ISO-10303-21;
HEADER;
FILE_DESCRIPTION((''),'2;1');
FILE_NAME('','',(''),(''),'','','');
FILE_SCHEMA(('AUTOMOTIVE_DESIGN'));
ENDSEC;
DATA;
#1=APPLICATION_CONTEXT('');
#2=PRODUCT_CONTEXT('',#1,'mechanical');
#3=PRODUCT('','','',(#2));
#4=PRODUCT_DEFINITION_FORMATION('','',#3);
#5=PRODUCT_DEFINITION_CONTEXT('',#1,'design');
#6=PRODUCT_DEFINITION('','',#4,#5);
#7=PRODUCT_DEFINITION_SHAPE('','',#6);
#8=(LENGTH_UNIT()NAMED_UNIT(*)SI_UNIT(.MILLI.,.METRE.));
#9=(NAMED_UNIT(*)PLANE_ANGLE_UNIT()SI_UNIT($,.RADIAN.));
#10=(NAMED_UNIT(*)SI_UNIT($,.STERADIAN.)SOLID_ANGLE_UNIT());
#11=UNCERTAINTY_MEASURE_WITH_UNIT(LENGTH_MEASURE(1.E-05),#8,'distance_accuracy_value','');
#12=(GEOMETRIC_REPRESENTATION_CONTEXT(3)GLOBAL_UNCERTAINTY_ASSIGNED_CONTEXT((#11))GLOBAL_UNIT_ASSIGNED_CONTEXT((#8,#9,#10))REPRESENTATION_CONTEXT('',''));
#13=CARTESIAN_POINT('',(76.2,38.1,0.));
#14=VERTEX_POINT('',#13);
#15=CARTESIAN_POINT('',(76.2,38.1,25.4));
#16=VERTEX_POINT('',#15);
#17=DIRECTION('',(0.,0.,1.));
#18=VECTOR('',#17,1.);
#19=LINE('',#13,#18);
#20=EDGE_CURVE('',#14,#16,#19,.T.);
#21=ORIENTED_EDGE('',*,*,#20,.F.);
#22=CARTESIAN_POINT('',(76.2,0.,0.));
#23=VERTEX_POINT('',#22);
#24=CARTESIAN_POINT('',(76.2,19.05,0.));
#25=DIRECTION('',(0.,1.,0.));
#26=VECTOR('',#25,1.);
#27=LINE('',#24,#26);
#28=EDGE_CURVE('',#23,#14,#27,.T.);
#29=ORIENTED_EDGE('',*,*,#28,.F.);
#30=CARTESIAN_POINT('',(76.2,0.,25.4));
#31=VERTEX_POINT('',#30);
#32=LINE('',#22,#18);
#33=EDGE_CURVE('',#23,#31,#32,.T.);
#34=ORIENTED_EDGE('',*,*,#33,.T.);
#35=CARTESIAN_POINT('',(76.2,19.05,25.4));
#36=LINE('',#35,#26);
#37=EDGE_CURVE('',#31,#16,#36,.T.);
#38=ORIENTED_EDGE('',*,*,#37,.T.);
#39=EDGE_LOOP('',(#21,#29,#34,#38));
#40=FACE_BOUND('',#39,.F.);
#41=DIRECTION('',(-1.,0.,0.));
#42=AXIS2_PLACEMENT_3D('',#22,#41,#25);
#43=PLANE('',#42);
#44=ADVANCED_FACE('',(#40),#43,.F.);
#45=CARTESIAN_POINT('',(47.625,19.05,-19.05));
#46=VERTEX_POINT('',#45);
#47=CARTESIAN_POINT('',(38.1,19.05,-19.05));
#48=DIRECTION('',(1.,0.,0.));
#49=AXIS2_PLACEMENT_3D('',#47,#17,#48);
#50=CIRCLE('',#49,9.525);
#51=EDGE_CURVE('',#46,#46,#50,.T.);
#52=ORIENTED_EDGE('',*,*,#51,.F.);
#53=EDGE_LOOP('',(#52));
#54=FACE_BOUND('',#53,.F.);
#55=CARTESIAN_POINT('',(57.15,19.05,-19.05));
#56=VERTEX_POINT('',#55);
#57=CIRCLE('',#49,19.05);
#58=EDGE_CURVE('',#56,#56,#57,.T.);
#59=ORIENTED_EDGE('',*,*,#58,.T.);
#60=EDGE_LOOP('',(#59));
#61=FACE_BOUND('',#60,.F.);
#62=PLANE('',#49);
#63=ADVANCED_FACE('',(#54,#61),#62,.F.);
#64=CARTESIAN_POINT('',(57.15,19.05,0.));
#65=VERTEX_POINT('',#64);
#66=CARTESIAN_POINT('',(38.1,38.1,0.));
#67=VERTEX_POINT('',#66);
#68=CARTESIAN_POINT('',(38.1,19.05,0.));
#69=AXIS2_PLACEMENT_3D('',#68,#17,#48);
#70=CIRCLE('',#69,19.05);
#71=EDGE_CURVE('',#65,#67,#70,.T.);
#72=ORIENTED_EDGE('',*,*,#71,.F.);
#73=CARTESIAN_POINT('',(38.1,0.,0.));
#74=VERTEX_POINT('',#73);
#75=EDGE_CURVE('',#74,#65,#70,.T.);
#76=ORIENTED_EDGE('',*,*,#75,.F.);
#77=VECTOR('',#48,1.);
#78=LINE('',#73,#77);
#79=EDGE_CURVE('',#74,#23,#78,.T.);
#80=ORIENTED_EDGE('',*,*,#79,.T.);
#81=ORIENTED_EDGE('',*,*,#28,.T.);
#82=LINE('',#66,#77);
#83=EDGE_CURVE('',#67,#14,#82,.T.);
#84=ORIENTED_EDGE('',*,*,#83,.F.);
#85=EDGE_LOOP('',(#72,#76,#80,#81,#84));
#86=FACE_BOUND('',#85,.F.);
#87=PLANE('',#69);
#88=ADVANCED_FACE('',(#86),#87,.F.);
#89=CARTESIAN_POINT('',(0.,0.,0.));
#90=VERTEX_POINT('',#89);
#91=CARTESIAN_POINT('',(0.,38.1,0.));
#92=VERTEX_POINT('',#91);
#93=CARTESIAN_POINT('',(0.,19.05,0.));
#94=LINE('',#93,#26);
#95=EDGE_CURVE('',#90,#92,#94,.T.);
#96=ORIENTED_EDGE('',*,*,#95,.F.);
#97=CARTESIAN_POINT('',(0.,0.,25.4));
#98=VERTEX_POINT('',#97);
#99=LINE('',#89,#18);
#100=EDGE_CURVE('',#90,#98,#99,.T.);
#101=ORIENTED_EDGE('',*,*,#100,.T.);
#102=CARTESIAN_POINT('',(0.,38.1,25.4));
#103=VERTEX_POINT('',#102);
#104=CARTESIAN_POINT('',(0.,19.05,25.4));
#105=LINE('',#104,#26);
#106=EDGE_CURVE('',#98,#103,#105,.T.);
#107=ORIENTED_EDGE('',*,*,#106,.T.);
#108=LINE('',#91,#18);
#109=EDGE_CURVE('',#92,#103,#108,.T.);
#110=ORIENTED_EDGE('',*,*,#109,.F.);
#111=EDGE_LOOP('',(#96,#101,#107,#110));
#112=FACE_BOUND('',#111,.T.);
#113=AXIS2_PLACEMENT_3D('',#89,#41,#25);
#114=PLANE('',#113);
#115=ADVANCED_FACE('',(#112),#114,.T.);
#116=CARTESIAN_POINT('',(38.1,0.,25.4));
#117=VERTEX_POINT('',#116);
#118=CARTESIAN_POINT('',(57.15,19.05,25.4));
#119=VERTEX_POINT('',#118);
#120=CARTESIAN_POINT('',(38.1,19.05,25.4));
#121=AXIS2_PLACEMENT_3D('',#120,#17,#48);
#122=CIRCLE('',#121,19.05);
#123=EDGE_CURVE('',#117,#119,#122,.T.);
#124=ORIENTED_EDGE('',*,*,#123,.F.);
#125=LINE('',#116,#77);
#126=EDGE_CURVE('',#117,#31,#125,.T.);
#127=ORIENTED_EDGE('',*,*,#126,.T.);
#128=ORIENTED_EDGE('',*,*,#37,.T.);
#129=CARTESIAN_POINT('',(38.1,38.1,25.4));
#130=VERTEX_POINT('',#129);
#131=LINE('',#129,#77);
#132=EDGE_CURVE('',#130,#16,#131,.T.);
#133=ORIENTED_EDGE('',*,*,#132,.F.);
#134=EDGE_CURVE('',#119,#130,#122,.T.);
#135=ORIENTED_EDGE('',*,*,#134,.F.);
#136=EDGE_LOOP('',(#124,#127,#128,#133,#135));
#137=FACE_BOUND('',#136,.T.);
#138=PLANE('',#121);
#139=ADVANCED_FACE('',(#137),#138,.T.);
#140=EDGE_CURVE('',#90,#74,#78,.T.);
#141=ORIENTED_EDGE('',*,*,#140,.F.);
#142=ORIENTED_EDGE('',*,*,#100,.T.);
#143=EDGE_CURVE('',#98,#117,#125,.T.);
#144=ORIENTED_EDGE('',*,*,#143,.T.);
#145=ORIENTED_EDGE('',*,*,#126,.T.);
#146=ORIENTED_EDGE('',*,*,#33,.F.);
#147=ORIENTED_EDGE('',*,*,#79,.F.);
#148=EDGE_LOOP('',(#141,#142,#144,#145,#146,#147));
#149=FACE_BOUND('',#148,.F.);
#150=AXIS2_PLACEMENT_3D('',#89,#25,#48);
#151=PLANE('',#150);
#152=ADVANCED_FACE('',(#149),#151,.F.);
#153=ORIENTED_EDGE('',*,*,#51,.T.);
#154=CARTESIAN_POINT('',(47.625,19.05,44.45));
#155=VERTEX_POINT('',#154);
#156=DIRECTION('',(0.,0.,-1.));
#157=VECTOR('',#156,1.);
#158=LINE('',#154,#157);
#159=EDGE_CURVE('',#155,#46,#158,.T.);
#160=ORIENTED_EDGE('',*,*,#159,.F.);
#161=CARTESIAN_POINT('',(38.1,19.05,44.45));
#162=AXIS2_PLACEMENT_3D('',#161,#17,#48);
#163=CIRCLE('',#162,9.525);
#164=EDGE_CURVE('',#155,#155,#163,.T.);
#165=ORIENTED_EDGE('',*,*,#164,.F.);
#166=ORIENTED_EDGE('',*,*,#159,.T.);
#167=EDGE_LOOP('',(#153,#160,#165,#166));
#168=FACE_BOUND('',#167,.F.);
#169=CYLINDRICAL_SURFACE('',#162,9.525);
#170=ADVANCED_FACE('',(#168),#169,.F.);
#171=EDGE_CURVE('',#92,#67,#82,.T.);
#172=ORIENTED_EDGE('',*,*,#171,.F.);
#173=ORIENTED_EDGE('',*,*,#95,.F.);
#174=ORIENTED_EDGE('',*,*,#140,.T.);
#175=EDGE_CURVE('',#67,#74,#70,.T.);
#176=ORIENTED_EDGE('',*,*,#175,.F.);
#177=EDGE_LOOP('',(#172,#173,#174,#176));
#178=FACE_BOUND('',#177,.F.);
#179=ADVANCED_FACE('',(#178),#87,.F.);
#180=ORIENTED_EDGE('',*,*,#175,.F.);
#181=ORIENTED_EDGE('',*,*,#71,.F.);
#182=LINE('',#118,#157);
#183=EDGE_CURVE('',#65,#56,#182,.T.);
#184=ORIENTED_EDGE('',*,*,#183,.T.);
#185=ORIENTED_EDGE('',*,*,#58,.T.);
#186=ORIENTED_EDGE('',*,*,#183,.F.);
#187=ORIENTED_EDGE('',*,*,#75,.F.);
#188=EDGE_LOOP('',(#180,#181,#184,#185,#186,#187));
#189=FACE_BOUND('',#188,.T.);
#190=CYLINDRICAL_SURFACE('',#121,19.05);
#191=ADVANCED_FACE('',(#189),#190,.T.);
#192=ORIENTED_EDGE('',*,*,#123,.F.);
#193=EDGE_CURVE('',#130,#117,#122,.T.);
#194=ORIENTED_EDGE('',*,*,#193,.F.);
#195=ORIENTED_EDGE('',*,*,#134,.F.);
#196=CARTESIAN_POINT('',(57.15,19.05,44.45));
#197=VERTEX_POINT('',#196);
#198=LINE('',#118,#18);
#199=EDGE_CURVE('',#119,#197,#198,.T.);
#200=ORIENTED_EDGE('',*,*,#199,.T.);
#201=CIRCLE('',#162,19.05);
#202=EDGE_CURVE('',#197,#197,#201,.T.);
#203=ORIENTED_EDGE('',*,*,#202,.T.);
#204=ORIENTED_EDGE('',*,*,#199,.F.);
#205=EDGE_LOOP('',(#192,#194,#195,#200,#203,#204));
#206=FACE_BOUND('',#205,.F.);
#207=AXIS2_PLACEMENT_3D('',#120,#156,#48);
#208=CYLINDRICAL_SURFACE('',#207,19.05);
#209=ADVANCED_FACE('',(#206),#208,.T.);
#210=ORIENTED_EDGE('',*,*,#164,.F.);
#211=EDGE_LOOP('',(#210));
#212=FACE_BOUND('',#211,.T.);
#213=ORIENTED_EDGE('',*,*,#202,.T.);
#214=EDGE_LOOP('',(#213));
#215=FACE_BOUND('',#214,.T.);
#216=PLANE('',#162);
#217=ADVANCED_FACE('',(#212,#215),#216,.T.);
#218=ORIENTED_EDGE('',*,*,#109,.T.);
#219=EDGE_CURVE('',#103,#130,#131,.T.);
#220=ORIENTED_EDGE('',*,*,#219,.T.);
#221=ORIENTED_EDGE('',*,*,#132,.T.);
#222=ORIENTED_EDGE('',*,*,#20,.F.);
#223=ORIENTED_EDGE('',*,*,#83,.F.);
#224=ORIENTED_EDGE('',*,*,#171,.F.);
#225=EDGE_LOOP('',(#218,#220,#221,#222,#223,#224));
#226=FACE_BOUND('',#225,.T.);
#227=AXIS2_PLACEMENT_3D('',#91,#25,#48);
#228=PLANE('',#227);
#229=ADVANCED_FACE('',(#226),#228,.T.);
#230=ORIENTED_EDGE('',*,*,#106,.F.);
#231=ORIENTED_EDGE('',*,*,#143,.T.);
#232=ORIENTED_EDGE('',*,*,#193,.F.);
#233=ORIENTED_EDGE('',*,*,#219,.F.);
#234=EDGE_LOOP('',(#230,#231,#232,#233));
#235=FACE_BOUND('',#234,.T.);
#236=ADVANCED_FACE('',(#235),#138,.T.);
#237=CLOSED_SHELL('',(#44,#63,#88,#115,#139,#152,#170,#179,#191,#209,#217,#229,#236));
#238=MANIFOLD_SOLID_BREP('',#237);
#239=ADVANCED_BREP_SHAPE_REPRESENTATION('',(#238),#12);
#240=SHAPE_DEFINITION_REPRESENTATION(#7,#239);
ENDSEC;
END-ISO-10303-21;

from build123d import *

# Parameters (mm, degrees)
F0_W          = 76.2
F0_H          = 38.1
F1_DEPTH      = 25.4
F2_R          = 19.05
F3_DEPTH      = 19.05
F3_DEPTH_BACK = 44.45
F4_R          = 9.525
F5_DEPTH      = 63.501


with BuildPart() as f1:
    # F0 (on Top) → F1 (new body)
    with BuildSketch(Plane.XY):
        with Locations((38.1, 19.05)):
            Rectangle(F0_W, F0_H)
    extrude(amount=F1_DEPTH)

    # F2 (on face) → F3 (join, two sides)
    with BuildSketch(Plane.XY.offset(25.4)) as f3_sk:
        with Locations((38.1, 19.05)):
            Circle(F2_R)
    extrude(amount=F3_DEPTH)
    extrude(f3_sk.sketch, amount=-F3_DEPTH_BACK)

    # F4 (on face) → F5 (cut, through all)
    with BuildSketch(Plane.XY.offset(44.45)):
        with Locations((38.1, 19.05)):
            Circle(F4_R)
    extrude(amount=-F5_DEPTH, mode=Mode.SUBTRACT)


solid = f1.part
